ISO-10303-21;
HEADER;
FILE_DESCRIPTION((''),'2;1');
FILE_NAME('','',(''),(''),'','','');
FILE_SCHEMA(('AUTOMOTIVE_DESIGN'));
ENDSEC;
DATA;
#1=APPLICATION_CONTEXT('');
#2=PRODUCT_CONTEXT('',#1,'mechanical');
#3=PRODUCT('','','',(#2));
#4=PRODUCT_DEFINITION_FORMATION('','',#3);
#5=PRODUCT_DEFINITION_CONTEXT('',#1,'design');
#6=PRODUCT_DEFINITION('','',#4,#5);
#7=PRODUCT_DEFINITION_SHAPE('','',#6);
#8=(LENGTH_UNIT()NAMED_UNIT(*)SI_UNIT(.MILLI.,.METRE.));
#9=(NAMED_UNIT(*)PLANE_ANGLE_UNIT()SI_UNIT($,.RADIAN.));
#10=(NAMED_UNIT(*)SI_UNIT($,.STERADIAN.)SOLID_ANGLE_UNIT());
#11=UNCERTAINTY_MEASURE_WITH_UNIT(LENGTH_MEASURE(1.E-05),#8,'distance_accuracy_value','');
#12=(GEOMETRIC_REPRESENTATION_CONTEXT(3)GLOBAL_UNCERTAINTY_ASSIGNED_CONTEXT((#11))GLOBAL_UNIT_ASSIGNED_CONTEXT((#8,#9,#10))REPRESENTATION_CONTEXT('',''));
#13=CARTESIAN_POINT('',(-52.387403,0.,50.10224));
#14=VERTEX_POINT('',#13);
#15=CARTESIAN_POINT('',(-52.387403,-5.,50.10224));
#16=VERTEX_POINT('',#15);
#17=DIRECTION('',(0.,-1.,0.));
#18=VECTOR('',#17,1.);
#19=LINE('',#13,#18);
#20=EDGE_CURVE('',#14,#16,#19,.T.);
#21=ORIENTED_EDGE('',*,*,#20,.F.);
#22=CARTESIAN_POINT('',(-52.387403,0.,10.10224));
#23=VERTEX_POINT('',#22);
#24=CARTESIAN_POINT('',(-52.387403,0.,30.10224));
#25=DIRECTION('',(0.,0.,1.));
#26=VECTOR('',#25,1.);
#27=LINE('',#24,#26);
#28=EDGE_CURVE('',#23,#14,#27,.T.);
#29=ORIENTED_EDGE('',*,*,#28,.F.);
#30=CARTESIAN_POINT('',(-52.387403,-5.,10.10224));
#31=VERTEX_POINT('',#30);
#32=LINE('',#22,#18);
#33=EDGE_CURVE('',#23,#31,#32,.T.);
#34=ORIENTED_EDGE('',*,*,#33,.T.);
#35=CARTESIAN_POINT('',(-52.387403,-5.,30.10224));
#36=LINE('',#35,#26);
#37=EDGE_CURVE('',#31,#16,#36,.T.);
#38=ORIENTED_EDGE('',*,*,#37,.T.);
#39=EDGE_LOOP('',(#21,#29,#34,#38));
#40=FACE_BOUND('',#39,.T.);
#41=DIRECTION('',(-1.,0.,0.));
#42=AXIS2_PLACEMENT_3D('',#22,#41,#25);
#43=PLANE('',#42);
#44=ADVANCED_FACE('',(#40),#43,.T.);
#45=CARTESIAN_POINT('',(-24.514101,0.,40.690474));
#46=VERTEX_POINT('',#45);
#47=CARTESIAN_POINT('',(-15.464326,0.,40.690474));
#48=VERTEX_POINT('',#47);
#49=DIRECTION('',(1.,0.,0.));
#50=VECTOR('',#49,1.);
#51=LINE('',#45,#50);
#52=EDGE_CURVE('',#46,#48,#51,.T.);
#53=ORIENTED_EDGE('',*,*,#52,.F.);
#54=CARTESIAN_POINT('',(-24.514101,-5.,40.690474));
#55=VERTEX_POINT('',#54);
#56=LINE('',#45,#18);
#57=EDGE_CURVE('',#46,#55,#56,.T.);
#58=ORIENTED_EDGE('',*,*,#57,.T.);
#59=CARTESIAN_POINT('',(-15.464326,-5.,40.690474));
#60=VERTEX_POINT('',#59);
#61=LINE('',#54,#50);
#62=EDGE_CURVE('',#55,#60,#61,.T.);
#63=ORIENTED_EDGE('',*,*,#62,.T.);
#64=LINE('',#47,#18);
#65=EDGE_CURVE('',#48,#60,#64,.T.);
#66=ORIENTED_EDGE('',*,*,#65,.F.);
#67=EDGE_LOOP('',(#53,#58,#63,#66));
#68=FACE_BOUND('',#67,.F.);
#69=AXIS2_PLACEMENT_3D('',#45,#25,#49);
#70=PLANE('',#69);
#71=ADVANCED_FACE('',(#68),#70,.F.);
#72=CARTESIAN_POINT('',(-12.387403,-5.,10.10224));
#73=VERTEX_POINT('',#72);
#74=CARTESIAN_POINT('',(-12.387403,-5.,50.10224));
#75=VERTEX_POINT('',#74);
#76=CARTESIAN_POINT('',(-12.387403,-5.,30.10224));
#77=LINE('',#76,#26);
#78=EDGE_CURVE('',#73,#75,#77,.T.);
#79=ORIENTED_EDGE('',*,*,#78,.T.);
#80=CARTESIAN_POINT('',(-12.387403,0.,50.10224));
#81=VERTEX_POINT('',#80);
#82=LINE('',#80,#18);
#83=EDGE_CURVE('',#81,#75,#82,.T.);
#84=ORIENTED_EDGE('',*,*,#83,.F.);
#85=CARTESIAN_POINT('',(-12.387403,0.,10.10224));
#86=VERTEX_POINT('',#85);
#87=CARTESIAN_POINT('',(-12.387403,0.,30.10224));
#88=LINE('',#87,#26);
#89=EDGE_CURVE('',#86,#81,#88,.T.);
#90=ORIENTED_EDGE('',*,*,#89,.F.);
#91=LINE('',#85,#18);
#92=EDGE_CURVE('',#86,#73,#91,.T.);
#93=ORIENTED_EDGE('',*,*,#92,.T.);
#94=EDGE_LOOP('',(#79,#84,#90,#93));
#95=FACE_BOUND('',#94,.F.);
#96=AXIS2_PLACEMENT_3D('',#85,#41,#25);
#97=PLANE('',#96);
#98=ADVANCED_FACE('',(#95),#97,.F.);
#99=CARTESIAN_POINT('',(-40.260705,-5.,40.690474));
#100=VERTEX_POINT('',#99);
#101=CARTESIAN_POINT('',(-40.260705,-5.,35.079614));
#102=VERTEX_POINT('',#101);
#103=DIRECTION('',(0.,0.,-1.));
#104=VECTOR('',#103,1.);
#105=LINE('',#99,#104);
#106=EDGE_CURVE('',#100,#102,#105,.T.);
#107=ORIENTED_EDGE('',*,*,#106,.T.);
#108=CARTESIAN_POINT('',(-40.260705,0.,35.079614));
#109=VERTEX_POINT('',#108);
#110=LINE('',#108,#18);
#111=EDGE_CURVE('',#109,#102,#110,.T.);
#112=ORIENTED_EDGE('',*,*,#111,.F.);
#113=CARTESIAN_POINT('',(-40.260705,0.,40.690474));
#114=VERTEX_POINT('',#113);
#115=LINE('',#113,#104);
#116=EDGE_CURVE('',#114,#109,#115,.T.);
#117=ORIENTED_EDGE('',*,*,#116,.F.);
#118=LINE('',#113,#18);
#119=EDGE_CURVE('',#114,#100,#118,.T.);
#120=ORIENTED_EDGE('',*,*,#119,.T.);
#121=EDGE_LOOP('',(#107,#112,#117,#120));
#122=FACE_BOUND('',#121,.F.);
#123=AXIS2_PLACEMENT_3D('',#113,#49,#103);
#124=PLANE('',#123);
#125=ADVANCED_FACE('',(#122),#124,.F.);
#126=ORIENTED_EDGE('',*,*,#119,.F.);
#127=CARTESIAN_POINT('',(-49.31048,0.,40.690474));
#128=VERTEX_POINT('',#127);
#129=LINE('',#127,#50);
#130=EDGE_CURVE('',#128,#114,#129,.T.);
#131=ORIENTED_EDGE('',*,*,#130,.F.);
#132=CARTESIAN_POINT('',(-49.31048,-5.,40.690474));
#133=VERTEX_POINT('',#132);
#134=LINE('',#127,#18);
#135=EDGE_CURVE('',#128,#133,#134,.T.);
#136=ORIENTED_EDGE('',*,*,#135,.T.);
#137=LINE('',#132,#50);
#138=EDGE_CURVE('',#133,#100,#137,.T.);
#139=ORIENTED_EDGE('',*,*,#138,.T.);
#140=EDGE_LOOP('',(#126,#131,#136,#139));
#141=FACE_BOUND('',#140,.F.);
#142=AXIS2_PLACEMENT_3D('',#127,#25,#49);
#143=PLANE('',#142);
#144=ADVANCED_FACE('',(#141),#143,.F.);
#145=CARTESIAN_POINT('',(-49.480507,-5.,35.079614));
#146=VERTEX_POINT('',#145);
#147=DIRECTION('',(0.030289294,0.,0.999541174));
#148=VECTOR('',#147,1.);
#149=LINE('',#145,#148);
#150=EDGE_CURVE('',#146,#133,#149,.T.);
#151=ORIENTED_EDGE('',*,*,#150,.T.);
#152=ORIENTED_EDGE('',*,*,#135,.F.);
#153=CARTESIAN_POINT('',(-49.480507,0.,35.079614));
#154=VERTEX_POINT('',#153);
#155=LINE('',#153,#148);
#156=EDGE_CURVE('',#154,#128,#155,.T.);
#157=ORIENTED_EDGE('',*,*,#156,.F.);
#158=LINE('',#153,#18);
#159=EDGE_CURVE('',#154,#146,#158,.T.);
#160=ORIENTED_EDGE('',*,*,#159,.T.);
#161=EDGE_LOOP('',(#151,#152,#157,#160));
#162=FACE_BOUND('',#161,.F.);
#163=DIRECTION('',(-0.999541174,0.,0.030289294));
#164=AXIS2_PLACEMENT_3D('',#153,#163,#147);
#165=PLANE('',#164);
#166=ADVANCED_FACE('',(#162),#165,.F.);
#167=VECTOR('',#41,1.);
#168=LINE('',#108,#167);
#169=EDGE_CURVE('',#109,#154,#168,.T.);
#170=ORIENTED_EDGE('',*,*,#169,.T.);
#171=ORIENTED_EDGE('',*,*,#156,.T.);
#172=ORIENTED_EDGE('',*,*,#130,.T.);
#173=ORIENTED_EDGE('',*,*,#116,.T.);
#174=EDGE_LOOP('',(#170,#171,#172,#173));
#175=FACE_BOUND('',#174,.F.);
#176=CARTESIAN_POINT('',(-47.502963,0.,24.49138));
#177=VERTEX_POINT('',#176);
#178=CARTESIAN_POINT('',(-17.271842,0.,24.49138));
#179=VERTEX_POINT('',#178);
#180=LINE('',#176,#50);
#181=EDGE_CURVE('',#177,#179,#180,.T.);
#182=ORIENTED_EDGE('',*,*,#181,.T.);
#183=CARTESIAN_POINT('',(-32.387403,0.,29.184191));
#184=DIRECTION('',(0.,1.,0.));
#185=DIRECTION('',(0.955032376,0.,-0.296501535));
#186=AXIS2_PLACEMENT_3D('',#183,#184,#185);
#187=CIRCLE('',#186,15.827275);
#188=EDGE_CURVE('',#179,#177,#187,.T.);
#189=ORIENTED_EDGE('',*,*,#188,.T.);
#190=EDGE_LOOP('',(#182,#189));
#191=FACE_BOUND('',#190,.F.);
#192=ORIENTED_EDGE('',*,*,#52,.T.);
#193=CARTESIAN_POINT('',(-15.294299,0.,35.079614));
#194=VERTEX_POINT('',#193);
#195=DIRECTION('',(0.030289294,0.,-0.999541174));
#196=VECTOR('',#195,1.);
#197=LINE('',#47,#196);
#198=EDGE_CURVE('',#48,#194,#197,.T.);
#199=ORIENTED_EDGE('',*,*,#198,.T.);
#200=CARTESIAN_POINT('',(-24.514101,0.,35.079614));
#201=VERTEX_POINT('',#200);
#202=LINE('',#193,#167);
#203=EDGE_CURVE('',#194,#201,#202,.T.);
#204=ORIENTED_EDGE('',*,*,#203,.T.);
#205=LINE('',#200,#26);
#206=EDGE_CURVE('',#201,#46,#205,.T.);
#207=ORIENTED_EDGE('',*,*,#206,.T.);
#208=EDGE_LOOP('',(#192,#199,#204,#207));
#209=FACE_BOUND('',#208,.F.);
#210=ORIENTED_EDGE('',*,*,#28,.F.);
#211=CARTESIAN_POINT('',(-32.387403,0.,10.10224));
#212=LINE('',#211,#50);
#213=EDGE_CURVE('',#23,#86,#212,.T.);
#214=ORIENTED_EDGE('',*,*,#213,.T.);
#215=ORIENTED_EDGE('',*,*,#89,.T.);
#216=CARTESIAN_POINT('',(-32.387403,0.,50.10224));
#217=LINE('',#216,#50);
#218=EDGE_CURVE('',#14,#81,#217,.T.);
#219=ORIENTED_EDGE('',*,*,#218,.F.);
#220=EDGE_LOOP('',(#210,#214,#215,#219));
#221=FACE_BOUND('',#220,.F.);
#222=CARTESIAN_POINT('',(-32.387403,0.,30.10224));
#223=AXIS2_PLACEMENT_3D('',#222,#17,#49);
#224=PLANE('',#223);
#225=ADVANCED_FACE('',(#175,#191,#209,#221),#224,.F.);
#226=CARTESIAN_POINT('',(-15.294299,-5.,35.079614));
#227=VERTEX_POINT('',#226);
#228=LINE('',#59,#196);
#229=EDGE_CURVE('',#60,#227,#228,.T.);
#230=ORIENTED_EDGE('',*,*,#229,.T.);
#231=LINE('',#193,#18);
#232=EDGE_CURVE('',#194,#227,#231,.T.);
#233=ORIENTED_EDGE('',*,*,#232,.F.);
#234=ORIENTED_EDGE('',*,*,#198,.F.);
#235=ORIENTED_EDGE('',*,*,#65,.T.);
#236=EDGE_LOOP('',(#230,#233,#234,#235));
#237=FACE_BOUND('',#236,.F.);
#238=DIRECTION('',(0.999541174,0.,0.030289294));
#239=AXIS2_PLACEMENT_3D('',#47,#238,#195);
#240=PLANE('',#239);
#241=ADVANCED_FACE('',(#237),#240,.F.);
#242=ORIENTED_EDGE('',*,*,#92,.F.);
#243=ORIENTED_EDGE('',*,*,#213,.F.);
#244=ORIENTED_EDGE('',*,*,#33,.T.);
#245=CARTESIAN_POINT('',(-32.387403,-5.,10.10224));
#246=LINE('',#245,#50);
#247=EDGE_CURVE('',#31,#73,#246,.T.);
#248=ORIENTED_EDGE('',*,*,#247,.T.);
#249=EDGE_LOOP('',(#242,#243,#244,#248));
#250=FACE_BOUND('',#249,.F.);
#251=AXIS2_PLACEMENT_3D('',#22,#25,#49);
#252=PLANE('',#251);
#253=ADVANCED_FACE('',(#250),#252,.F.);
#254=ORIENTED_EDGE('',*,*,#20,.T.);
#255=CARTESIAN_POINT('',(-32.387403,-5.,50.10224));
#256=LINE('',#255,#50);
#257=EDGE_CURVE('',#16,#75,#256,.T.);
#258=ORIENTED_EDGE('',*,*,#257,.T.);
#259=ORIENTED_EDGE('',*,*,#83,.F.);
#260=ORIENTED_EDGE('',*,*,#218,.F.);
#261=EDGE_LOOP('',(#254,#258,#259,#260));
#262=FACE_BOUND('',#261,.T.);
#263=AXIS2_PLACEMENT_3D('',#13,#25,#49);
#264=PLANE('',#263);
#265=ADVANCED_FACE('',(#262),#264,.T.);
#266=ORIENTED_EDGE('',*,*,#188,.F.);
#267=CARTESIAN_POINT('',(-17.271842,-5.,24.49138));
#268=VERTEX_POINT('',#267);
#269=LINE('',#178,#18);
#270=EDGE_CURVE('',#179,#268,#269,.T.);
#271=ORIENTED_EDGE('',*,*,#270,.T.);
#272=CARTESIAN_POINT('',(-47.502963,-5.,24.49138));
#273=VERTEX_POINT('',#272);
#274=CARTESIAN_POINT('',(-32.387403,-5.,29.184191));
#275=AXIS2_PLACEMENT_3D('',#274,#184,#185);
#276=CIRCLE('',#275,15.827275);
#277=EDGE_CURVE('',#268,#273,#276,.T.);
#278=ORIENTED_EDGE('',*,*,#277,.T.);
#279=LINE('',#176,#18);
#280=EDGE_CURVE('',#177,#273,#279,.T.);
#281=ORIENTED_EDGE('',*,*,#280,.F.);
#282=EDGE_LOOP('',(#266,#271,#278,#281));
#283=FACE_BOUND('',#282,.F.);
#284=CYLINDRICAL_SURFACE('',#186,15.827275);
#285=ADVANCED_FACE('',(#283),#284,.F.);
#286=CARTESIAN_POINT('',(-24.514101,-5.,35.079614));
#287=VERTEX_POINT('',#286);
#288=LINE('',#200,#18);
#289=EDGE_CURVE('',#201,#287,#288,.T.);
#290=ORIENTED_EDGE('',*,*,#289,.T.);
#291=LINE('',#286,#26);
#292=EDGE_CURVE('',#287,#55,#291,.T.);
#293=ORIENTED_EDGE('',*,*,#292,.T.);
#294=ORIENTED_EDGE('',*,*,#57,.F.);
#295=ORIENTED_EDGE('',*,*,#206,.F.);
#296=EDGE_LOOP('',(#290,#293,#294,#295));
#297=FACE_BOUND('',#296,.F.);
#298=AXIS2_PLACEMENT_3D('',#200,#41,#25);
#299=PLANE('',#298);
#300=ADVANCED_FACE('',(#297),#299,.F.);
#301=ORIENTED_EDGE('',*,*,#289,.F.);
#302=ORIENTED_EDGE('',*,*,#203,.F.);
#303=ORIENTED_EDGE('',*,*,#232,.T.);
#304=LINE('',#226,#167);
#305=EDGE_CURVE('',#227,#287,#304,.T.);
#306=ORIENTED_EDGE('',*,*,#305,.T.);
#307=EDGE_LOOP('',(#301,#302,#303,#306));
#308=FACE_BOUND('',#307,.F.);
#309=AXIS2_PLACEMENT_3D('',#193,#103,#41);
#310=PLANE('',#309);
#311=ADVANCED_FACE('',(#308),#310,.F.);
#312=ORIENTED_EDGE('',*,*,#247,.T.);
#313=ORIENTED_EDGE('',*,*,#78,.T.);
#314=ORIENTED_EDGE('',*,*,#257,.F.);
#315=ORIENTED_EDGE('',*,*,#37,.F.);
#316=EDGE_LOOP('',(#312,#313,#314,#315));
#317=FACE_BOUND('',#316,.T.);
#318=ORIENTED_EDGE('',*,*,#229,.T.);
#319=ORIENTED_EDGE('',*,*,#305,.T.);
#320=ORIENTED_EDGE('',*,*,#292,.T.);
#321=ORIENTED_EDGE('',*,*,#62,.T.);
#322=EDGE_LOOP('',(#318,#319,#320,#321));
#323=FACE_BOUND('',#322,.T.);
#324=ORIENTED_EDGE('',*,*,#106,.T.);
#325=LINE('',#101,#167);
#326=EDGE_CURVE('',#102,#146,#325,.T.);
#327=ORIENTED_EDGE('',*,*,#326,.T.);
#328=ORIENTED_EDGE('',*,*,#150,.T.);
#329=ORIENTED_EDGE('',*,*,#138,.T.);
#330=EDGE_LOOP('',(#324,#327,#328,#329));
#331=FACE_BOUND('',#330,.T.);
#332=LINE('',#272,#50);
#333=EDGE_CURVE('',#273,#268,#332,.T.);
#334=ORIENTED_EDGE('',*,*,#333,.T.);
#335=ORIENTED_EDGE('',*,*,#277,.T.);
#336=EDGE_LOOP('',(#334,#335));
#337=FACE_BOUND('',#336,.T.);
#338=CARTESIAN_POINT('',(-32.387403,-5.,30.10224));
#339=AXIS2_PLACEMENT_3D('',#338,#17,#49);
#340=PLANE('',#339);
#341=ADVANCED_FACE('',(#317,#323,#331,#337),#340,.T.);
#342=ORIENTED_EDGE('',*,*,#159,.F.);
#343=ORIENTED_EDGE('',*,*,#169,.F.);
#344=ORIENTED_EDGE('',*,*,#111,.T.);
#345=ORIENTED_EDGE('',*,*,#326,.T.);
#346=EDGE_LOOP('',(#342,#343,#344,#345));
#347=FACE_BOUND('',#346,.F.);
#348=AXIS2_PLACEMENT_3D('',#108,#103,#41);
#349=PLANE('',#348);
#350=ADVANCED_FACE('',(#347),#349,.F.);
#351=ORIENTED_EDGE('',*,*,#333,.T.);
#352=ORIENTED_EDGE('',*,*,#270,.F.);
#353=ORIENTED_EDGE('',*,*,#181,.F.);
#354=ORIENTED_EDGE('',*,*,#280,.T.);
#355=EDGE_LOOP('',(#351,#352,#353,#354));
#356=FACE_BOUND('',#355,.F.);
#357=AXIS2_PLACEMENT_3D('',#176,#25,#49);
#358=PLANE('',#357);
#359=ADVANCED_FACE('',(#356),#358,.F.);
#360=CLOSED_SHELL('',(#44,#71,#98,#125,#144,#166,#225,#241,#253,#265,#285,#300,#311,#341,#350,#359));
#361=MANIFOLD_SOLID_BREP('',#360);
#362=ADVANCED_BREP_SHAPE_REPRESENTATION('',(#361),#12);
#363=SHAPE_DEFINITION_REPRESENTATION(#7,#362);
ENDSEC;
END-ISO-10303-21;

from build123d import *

# Parameters (mm, degrees)
F0_W     = 40
F0_H     = 40
F1_DEPTH = 5


with BuildPart() as f1:
    # F0 (on Front) → F1 (new body)
    with BuildSketch(Plane.XZ):
        with Locations((-32.387403, 30.10224)):
            Rectangle(F0_W, F0_H)
        with BuildLine():
            ThreePointArc((-17.271842, 24.49138), (-32.387402, 13.356916), (-47.502963, 24.49138))
            Line((-47.502963, 24.49138), (-17.271842, 24.49138))
        make_face(mode=Mode.SUBTRACT)
        Polygon((-49.480507, 35.079614), (-49.31048, 40.690474), (-40.260705, 40.690474), (-40.260705, 35.079614), align=None, mode=Mode.SUBTRACT)
        Polygon((-15.464326, 40.690474), (-15.294299, 35.079614), (-24.514101, 35.079614), (-24.514101, 40.690474), align=None, mode=Mode.SUBTRACT)
    extrude(amount=F1_DEPTH)


solid = f1.part
